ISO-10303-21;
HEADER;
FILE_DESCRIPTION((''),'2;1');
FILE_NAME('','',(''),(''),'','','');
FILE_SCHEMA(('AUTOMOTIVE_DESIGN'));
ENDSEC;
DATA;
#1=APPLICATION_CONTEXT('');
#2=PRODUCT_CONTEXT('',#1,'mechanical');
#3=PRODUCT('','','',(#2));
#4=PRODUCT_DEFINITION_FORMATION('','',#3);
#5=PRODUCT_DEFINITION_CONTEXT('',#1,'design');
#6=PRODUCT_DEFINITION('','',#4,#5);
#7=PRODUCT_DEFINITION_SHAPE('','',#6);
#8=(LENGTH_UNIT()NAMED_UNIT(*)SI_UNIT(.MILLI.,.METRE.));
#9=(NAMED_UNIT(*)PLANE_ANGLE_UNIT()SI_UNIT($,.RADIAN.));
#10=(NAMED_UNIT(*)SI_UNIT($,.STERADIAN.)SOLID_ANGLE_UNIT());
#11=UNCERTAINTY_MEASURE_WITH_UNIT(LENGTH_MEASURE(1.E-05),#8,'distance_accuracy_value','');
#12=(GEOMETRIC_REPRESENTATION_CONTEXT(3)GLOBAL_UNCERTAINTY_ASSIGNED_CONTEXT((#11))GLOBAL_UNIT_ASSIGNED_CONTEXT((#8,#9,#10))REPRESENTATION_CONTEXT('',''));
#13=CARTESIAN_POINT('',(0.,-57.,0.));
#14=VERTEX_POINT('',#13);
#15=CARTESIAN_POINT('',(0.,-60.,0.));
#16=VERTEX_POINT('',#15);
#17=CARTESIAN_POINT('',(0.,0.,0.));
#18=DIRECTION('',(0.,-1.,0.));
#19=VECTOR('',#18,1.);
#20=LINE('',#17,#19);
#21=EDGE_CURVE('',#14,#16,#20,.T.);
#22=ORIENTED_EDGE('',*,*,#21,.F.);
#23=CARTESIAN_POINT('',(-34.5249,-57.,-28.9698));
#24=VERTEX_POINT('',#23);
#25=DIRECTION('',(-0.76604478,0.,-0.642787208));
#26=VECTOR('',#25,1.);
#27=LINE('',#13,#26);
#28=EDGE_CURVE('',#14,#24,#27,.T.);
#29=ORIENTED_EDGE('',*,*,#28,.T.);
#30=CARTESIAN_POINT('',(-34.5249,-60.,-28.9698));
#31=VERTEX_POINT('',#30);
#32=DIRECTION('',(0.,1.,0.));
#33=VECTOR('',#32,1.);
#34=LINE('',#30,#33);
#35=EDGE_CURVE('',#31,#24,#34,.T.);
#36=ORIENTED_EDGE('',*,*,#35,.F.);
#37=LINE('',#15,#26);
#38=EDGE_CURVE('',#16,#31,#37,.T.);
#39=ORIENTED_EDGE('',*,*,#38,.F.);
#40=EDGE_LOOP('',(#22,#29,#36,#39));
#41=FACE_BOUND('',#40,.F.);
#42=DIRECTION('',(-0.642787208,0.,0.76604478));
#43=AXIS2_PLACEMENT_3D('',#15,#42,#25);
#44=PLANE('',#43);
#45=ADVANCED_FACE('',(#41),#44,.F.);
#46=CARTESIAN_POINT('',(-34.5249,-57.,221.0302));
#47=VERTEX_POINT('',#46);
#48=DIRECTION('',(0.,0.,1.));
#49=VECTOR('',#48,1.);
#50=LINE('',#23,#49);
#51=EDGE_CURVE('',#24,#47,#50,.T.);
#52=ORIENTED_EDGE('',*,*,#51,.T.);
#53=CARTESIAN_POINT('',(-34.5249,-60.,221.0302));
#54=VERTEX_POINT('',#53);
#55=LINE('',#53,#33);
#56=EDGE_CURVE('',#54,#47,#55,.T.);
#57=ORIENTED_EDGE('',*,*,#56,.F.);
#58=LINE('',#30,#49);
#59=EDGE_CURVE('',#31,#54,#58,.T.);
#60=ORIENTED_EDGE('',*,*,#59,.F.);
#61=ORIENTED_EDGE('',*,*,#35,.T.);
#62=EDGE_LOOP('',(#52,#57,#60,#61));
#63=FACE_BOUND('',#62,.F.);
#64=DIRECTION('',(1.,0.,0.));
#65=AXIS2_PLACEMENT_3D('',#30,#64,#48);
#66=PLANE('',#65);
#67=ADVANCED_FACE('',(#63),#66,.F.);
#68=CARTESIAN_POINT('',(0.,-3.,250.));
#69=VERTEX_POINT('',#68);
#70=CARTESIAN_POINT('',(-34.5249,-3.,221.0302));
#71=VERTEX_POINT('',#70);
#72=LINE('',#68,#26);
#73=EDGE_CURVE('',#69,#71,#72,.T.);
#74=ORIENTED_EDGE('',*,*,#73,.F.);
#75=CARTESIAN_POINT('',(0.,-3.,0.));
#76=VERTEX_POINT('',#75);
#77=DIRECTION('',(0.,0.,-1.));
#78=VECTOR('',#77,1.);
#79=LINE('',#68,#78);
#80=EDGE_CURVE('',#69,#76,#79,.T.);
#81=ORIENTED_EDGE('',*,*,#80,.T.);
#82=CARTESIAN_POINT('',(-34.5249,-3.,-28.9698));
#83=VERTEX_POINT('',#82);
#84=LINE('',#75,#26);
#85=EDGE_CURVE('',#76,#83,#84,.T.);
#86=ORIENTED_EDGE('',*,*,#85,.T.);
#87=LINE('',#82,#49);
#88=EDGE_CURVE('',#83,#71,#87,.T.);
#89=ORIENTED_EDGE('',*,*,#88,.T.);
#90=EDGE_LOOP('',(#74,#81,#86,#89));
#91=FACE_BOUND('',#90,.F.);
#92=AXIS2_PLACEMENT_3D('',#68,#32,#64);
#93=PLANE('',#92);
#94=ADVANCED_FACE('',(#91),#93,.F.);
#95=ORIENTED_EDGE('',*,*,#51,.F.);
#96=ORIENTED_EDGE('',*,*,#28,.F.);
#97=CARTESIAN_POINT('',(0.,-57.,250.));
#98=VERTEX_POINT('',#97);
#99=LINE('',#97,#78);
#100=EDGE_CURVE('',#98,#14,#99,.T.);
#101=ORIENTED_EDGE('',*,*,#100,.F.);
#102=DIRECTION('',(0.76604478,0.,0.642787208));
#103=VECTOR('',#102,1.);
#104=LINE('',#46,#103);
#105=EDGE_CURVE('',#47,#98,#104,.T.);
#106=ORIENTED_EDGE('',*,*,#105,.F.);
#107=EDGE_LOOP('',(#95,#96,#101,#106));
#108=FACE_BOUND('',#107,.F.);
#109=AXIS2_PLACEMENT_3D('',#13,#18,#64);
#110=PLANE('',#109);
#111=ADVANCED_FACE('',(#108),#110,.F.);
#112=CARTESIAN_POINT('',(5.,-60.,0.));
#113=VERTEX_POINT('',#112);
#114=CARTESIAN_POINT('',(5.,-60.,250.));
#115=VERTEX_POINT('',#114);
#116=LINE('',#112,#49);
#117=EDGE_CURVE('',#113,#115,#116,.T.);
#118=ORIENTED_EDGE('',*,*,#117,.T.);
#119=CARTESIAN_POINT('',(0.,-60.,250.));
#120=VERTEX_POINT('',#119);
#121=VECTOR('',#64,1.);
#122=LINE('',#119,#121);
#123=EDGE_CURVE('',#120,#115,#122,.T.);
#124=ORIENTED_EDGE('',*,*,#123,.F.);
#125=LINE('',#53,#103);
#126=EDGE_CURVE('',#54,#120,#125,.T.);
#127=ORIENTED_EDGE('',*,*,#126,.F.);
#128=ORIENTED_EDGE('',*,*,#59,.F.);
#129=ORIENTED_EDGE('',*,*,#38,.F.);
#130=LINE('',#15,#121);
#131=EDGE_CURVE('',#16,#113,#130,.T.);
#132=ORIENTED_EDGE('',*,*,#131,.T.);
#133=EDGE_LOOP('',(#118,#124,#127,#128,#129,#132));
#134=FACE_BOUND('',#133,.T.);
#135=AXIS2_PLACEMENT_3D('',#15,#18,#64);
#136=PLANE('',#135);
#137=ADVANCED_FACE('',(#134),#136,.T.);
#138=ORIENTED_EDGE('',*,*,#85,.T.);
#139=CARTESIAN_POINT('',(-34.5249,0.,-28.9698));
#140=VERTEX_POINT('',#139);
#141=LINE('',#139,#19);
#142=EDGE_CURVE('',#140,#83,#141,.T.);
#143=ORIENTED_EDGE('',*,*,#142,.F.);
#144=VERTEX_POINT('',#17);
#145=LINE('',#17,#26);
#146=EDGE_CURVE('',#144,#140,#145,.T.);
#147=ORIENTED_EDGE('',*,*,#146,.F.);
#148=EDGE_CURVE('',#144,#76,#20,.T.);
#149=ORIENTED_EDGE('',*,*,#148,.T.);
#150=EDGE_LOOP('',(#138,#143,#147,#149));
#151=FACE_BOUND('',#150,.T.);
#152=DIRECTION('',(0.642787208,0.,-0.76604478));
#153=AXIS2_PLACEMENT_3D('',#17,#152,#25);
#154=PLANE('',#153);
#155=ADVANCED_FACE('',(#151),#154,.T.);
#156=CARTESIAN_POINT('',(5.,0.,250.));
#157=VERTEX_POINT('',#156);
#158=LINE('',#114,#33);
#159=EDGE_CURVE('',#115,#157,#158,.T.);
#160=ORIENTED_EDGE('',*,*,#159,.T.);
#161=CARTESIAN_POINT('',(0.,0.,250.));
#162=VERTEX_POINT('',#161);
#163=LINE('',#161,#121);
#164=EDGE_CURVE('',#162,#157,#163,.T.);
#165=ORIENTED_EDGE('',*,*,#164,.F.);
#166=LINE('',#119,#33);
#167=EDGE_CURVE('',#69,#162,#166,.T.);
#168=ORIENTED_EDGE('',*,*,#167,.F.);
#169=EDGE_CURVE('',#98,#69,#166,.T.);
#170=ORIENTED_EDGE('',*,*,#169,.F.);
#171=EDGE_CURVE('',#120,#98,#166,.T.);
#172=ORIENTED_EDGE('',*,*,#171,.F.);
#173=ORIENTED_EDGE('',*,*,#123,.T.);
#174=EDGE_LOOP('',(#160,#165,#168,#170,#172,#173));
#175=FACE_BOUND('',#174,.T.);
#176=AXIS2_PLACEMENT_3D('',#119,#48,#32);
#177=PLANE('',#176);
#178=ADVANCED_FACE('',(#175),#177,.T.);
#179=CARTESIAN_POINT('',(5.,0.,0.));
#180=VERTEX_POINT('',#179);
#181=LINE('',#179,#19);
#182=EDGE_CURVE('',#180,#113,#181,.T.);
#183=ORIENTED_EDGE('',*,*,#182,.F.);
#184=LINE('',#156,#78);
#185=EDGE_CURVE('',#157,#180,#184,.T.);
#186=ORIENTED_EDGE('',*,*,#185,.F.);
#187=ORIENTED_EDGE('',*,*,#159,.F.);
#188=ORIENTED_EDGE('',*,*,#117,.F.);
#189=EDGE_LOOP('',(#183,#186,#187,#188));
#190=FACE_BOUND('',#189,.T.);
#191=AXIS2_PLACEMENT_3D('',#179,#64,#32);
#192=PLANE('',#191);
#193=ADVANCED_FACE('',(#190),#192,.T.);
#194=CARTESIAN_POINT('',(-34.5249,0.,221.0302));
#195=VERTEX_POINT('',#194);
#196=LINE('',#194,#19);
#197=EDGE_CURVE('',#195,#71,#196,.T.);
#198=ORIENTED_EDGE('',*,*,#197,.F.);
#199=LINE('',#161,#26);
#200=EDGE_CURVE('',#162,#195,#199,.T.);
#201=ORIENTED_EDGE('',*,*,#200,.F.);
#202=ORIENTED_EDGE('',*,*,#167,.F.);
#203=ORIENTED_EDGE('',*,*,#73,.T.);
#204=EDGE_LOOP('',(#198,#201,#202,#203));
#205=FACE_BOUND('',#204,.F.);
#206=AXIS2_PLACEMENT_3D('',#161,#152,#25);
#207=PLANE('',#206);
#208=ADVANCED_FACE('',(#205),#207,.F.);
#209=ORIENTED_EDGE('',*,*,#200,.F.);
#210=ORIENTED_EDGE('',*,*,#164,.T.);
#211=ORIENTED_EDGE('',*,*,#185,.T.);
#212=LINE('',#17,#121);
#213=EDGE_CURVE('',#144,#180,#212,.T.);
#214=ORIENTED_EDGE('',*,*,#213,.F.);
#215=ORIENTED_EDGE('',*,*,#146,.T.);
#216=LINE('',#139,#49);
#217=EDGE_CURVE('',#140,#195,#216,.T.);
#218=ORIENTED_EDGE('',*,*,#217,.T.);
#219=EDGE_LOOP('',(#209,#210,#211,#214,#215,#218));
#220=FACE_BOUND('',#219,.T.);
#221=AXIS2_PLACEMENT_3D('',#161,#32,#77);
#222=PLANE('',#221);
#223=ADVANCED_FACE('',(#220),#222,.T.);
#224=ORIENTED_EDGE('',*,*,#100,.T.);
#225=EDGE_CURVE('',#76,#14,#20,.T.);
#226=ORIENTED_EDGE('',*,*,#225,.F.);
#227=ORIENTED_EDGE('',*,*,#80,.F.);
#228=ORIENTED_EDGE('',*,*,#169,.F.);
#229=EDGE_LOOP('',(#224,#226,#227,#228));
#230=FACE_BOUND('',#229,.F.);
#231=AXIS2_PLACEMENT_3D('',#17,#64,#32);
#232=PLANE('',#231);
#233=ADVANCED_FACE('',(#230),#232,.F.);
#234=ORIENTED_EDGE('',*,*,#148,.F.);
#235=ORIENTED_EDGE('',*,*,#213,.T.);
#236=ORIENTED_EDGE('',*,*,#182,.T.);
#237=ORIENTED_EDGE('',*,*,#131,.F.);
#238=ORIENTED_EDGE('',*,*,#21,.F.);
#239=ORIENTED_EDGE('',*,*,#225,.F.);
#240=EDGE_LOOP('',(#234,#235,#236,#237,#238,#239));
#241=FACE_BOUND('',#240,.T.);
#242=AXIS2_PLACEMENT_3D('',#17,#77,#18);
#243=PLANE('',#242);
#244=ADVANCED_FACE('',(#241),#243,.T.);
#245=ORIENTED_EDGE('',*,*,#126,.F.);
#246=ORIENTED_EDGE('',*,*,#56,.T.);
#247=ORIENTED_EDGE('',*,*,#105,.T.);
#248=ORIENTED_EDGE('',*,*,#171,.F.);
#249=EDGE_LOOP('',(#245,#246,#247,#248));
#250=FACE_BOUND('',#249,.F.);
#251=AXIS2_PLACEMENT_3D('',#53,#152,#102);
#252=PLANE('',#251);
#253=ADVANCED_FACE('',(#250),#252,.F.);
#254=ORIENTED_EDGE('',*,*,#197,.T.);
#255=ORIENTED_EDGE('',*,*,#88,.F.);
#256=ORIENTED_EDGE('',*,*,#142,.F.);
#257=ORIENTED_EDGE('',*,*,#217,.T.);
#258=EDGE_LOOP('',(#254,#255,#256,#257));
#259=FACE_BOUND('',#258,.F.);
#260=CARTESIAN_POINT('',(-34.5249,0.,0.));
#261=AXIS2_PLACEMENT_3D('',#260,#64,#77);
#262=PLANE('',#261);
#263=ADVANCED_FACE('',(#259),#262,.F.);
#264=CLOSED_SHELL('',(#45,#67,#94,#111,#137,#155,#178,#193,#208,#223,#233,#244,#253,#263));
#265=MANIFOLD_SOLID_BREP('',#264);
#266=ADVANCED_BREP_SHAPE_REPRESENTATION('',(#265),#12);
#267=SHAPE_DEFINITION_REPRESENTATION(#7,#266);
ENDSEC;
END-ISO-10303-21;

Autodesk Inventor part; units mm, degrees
ref_plane "YZ Plane" through (0, 0, 0) normal (1, 0, 0) x (0, 1, 0)
ref_plane "XZ Plane" through (0, 0, 0) normal (0, 1, 0) x (-1, 0, 0)
ref_plane "XY Plane" through (0, 0, 0) normal (0, 0, 1) x (1, 0, 0)
sketch "Sketch1" plane through (0, 0, 0) normal (1, 0, 0) x (0, 1, 0)
  line L0 (0, 0) -> (-60, 0)
  line L1 (-60, 0) -> (-60, 250)
  line L2 (-60, 250) -> (0, 250)
  line L3 (0, 250) -> (0, 0)
  dimension "d0" = 60
  dimension "d1" = 250
extrude "Extrusion1" add sketch "Sketch1" along normal blind 5
sketch "Sketch2" plane through (5, 0, 0) normal (1, 0, 0) x (0, 0, -1)
  point P0 (0, 0)
sketch "Sketch3" plane through (0, 0, 250) normal (0, 1, 0) x (1, 0, 0)
  line L0 (-34.5249, 250) -> (-35, 250)
  line L1 (0, 250) -> (-34.5249, 278.9698)
  line L2 (0, 250) -> (45.069, 250) construction
  line L3 (-34.5249, 0) -> (-35, 0)
  line L4 (0, 0) -> (-34.5249, 28.9698)
  line L5 (0, 0) -> (45.069, 0) construction
  line L6 (-34.5249, 28.9698) -> (-34.5249, 278.9698)
  line L7 (0, 0) -> (0, 250)
  dimension "d4" = 35
  dimension "d5" = 45.069
  dimension "d6" = 140
  dimension "d7" = 35
  dimension "d8" = 45.069
  dimension "d9" = 140
sketch "Sketch4" plane through (0, 0, 250) normal (0, 1, 0) x (1, 0, 0)
  line L0 (0, 0) -> (0, 250)
extrude "Extrusion2" add sketch "Sketch3" against normal blind 3
sketch "Sketch5" plane through (0, -60, 0) normal (0, -1, 0) x (1, 0, 0)
  line L0 (0, 0) -> (-34.5249, -28.9698)
  line L1 (-34.5249, -28.9698) -> (-34.5249, 221.0302)
  line L2 (-34.5249, 221.0302) -> (0, 250)
  line L3 (0, 250) -> (0, 0)
extrude "Extrusion3" add sketch "Sketch5" against normal blind 3
properties part number "elevation"
